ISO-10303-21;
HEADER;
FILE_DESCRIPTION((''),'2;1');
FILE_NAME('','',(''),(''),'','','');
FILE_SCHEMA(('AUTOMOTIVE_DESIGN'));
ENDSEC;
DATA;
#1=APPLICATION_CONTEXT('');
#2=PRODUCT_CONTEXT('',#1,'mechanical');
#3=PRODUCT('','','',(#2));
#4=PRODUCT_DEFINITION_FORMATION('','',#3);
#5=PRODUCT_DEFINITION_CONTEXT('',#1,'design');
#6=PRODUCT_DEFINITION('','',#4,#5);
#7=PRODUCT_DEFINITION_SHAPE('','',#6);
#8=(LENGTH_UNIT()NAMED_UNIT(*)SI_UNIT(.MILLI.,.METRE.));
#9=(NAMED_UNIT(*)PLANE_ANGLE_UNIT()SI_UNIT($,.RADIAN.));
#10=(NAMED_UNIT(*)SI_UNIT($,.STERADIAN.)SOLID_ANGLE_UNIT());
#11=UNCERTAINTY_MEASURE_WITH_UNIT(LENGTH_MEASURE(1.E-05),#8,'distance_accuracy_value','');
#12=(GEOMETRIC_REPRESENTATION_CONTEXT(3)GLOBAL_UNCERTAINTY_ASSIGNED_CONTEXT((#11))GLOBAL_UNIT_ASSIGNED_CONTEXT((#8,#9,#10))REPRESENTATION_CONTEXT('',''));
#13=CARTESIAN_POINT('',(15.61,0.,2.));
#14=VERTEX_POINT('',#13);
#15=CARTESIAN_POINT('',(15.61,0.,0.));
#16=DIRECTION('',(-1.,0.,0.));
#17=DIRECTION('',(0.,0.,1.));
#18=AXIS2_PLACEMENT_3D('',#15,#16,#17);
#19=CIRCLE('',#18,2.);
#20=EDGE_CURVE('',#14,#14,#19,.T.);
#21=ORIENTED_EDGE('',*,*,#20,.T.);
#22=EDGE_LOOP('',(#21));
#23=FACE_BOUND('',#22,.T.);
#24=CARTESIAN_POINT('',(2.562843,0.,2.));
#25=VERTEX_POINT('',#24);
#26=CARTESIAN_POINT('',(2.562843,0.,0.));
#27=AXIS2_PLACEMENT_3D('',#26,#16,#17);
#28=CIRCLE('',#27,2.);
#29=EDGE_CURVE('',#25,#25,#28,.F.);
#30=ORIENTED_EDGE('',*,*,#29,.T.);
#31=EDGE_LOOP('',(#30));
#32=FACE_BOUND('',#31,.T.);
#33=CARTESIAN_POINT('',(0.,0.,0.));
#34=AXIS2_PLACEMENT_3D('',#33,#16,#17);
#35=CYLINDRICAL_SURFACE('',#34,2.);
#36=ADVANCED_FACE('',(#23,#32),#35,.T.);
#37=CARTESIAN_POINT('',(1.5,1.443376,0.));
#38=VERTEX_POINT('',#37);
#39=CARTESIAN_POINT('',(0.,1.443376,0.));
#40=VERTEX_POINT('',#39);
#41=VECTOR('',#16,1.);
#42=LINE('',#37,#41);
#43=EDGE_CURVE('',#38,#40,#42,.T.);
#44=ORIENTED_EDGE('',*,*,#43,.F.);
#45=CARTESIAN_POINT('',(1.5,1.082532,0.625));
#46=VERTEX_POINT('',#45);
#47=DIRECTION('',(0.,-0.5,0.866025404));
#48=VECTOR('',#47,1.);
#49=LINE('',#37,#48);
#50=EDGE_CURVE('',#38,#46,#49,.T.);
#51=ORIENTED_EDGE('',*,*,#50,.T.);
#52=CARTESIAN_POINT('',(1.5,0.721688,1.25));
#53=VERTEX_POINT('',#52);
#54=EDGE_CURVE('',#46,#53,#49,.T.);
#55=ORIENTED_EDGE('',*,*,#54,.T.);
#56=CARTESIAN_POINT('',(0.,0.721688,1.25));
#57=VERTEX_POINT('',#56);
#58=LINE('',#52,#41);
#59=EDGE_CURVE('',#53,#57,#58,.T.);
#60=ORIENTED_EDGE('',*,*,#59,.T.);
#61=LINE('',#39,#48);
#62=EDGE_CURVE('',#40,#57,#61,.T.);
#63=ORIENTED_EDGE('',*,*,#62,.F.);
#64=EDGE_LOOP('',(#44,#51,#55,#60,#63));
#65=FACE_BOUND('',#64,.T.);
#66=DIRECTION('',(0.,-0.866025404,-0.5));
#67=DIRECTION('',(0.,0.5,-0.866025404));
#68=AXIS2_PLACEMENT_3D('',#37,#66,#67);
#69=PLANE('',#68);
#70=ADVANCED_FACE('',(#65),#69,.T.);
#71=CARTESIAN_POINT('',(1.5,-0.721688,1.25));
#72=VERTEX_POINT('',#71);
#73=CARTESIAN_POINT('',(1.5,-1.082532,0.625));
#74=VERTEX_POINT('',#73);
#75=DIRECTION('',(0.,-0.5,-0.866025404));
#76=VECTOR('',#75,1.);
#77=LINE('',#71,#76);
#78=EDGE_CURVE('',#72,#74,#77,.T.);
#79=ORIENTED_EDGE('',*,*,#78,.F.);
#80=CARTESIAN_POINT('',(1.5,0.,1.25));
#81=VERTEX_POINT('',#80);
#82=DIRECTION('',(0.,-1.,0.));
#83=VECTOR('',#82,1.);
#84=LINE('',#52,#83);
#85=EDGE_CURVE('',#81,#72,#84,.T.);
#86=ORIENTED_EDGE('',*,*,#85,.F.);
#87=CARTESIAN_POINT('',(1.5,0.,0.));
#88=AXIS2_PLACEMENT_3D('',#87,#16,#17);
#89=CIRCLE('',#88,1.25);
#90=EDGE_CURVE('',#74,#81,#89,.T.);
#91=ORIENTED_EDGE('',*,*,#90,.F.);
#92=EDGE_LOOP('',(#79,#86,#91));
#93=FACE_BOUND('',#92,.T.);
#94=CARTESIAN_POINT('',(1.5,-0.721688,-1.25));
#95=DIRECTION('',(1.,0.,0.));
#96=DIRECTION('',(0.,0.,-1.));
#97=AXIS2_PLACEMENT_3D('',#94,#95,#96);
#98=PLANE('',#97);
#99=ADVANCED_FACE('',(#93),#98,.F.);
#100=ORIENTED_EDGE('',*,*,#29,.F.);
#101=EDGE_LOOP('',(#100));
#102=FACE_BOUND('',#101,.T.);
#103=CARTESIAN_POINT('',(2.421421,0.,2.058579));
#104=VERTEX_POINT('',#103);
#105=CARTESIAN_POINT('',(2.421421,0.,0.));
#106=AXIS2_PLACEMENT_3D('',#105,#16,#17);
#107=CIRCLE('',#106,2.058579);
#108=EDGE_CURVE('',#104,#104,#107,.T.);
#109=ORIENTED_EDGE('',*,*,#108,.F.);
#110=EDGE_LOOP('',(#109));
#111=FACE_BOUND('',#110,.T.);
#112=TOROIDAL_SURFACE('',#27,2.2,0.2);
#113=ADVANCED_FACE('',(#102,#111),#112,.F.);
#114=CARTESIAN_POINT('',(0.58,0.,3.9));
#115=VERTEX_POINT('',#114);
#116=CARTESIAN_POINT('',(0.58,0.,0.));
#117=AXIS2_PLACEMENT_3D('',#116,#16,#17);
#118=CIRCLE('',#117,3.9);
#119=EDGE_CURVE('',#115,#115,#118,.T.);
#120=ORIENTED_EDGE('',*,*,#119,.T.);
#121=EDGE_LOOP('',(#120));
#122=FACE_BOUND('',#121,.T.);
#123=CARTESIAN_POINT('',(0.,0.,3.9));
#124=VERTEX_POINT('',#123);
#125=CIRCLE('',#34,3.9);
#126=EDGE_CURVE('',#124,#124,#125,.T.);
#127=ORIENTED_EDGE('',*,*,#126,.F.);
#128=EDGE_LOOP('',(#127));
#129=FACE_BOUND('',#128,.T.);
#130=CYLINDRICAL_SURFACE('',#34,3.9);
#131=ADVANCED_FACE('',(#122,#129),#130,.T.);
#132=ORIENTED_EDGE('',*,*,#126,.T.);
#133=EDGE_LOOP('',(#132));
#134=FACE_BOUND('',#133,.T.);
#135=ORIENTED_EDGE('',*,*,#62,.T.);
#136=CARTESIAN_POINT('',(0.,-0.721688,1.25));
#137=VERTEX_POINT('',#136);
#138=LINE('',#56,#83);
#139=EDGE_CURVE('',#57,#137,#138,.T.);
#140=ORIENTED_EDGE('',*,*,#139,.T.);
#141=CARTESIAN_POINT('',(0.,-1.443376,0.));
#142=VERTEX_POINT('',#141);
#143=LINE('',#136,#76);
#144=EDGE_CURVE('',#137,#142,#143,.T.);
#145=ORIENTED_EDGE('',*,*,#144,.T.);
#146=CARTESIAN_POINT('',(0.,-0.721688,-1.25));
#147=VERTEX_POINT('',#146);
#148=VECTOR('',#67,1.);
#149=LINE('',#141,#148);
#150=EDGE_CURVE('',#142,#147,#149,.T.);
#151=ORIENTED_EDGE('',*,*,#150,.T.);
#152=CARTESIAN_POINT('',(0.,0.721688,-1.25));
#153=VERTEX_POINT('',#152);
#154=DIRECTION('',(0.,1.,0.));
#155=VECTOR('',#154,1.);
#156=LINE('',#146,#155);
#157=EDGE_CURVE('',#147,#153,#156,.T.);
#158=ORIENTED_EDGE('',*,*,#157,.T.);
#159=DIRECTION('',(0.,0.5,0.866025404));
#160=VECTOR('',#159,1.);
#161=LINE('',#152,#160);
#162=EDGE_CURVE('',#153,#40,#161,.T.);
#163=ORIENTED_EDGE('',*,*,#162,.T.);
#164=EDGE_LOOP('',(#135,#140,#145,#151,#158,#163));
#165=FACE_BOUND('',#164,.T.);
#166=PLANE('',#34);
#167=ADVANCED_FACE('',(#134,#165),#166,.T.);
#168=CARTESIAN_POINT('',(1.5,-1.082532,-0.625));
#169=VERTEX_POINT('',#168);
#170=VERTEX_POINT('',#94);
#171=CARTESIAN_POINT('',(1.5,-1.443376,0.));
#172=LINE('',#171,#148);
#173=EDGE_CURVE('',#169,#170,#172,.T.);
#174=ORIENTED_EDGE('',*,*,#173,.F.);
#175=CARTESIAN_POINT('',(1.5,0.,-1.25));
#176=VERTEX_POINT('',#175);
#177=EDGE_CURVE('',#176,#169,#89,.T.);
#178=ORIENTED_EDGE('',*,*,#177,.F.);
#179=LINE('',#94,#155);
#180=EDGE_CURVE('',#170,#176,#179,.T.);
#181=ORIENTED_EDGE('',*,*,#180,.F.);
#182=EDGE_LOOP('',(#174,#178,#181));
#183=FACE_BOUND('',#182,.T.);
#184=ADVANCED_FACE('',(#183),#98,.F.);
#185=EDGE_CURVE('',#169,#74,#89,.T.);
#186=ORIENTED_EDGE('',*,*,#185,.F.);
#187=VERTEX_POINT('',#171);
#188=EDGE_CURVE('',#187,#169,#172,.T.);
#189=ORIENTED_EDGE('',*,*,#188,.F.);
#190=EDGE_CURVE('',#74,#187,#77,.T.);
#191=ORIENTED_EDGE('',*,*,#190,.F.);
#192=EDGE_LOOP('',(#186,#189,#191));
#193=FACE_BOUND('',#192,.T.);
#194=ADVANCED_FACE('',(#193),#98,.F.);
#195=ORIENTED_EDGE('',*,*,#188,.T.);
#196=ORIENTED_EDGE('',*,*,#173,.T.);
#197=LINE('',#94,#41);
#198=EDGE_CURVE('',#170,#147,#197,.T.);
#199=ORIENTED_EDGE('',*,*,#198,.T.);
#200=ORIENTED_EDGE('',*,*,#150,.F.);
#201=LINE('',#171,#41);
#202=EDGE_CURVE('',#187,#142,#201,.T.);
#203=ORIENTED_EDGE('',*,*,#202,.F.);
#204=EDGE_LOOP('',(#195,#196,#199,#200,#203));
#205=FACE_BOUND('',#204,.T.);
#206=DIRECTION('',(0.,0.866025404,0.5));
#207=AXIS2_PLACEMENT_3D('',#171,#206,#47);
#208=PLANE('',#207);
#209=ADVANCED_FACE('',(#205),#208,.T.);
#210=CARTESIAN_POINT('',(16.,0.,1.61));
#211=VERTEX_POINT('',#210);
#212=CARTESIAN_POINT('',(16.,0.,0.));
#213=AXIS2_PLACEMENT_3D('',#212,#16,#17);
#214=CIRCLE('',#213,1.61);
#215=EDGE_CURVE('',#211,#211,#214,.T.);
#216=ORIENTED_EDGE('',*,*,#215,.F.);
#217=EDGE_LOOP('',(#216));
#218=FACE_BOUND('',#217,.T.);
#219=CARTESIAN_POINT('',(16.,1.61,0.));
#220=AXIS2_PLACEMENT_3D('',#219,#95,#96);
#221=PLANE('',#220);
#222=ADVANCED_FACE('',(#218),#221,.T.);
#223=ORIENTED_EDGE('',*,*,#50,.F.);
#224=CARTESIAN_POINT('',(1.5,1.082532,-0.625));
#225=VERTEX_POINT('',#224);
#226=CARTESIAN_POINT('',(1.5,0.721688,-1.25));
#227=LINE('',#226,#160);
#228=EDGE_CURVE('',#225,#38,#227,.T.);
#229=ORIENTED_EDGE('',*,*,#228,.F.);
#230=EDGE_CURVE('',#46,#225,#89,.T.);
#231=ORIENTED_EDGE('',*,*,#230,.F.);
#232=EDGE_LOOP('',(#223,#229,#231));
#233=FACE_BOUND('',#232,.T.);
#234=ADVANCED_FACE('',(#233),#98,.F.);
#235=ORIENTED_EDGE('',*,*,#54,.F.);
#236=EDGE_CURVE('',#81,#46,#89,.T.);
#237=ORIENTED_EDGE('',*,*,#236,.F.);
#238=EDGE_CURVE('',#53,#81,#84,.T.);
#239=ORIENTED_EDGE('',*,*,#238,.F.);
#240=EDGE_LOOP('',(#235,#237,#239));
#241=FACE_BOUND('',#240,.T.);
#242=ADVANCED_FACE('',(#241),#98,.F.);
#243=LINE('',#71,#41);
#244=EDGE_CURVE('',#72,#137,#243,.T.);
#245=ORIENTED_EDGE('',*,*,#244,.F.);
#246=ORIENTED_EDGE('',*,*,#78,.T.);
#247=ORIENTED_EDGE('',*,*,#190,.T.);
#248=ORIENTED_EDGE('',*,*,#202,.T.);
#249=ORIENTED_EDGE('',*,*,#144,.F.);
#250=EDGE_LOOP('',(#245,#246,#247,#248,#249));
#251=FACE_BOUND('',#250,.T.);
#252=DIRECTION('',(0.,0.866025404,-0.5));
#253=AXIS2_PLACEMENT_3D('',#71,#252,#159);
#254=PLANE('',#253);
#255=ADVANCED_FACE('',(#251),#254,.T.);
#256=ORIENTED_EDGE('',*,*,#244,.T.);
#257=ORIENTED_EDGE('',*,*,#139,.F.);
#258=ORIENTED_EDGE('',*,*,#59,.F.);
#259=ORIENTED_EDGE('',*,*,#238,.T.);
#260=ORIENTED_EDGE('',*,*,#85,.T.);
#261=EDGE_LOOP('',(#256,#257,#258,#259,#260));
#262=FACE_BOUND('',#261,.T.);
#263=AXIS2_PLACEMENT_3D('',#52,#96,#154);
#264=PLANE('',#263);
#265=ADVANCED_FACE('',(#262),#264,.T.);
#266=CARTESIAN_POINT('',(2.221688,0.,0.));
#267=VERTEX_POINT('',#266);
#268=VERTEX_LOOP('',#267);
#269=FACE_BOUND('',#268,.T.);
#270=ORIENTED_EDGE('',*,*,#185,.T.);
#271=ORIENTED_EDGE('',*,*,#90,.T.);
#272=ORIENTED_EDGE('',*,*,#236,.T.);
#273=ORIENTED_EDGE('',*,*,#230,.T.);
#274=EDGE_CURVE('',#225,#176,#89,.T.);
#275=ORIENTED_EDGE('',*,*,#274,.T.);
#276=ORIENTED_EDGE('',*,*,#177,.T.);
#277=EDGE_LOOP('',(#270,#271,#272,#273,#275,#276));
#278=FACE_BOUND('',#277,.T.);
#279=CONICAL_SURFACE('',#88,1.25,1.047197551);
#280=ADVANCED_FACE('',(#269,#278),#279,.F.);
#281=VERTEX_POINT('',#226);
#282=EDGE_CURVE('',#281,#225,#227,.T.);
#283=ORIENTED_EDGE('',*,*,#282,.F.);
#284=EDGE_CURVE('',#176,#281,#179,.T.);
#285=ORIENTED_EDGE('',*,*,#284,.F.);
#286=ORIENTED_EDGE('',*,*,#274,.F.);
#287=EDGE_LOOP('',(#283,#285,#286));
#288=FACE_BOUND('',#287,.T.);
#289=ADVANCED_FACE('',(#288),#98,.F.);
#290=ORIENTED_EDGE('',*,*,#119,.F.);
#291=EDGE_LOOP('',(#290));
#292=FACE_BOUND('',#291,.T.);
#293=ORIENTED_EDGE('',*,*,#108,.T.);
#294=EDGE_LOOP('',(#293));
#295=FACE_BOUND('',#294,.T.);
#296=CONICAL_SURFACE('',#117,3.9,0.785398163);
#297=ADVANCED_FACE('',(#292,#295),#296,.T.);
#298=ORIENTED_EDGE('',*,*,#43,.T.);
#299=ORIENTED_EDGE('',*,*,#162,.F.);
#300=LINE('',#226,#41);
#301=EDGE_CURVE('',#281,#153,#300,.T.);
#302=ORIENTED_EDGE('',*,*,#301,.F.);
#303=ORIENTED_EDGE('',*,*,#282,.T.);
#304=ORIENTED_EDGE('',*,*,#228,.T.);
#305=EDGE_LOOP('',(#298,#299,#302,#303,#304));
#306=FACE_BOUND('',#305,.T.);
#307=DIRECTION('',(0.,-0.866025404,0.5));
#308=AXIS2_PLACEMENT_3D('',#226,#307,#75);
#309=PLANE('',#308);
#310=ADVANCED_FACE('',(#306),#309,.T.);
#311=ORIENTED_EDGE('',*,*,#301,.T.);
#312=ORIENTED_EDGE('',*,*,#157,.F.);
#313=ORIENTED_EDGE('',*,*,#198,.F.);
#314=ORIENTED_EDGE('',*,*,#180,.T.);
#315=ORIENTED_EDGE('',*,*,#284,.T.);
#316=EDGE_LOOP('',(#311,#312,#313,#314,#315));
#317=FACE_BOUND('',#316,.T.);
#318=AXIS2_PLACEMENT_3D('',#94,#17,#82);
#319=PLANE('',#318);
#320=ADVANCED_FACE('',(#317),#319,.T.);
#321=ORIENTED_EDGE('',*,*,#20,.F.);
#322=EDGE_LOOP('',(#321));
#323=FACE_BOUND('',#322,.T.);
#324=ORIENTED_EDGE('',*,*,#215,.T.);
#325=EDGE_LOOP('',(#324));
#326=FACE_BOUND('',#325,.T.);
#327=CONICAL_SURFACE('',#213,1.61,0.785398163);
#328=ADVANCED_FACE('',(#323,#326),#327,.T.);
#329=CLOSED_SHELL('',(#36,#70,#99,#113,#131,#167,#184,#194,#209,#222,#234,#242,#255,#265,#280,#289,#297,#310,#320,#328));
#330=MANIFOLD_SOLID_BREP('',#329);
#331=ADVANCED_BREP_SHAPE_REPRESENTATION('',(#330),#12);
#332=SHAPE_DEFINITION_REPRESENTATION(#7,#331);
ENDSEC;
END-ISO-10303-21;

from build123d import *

# Parameters (mm, degrees)
FILLET1_R   = 0.2
HEX_2_DEPTH = 1.5


with BuildPart() as part:
    # BodySke → BaseBody (revolve)
    with BuildSketch(Plane.XY):
        Polygon((0, 0), (0, 3.9), (0.58, 3.9), (2.48, 2), (15.61, 2), (16, 1.61), (16, 0), align=None)
    revolve(axis=Axis((0, 0, 0), (1, 0, 0)))

    # Fillet1
    fillet1_edges = [part.edges().sort_by_distance(p)[0] for p in [
        (2.48, -2, 0),
    ]]
    fillet(fillet1_edges, radius=FILLET1_R)

    # Sketch2 → PreBroach (revolve, cut)
    with BuildSketch(Plane.XY):
        Polygon((0, 1.25), (1.5, 1.25), (2.221687836, 0), (0, 0), align=None)
    revolve(axis=Axis((0, 0, 0), (1, 0, 0)), mode=Mode.SUBTRACT)

    # Sketch3 → Hex 2 (cut)
    with BuildSketch(Plane.ZY):
        Polygon((-1.25, -0.721687836), (-1.25, 0.721687836), (0, 1.443375673), (1.25, 0.721687836), (1.25, -0.721687836), (0, -1.443375673), align=None)
    extrude(amount=-HEX_2_DEPTH, mode=Mode.SUBTRACT)


solid = part.part
